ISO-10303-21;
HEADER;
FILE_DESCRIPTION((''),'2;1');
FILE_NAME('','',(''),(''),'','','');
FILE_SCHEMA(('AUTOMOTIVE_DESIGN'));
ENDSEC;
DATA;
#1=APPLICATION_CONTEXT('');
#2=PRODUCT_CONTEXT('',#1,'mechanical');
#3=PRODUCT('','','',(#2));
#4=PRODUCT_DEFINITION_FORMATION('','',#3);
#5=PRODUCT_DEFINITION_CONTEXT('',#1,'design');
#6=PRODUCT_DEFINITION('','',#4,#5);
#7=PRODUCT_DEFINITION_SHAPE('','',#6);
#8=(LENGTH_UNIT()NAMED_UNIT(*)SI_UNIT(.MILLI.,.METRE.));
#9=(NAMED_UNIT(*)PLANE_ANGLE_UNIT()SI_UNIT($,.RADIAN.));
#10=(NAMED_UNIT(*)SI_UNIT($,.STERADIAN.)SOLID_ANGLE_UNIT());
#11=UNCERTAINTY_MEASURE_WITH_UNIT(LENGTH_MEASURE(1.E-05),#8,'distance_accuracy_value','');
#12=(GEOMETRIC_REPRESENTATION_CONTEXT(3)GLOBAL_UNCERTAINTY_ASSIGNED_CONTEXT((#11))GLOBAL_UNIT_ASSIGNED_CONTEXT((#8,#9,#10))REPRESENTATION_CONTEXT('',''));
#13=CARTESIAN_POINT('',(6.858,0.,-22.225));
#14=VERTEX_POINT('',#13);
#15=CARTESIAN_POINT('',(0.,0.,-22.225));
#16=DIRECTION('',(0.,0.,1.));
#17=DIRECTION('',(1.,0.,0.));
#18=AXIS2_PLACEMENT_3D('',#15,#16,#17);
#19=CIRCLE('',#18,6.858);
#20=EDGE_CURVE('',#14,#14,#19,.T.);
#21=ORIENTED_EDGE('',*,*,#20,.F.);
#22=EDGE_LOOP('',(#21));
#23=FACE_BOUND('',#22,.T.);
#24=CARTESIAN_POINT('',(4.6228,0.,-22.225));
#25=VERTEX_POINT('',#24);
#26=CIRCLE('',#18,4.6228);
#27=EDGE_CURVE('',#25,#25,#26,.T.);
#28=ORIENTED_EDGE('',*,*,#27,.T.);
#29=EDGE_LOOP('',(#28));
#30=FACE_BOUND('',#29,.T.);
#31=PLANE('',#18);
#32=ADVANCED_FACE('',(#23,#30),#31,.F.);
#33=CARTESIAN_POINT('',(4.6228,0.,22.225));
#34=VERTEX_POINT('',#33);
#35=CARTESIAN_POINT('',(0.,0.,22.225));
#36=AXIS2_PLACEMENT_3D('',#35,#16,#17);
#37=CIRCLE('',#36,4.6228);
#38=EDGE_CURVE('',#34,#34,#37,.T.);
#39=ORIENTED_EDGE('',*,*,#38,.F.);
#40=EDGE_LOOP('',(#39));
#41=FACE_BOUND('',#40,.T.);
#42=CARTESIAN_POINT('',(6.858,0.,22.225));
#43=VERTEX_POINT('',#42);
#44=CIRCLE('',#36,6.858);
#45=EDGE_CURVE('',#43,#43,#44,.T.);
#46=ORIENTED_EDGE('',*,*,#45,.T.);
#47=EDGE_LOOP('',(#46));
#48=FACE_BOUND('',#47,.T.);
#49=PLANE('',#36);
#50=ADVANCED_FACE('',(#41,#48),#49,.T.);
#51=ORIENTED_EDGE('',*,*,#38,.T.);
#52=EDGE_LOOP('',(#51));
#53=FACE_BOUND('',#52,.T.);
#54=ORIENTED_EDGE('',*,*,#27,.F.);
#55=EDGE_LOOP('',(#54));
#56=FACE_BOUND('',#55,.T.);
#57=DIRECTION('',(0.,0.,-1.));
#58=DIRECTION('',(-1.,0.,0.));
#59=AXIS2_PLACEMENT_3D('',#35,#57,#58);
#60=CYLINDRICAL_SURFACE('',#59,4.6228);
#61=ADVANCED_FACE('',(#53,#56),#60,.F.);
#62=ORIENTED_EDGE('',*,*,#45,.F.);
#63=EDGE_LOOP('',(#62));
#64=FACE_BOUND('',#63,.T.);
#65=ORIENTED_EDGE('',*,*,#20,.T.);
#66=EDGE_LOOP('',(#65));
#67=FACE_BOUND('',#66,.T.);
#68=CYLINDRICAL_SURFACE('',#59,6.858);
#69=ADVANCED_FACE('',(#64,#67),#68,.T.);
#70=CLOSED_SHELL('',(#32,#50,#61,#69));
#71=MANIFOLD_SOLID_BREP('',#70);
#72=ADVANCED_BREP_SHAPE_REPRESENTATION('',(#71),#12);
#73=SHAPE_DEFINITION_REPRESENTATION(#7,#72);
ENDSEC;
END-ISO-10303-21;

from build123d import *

# Parameters (mm, degrees)
SKETCH1_R      = 6.858
SKETCH1_R_2    = 4.6228
EXTRUDE1_DEPTH = 22.225


with BuildPart() as part:
    # Sketch1 → Extrude1 (new body, symmetric)
    with BuildSketch(Plane.XY):
        Circle(SKETCH1_R)
        Circle(SKETCH1_R_2, mode=Mode.SUBTRACT)
    extrude(amount=EXTRUDE1_DEPTH, both=True)


solid = part.part
